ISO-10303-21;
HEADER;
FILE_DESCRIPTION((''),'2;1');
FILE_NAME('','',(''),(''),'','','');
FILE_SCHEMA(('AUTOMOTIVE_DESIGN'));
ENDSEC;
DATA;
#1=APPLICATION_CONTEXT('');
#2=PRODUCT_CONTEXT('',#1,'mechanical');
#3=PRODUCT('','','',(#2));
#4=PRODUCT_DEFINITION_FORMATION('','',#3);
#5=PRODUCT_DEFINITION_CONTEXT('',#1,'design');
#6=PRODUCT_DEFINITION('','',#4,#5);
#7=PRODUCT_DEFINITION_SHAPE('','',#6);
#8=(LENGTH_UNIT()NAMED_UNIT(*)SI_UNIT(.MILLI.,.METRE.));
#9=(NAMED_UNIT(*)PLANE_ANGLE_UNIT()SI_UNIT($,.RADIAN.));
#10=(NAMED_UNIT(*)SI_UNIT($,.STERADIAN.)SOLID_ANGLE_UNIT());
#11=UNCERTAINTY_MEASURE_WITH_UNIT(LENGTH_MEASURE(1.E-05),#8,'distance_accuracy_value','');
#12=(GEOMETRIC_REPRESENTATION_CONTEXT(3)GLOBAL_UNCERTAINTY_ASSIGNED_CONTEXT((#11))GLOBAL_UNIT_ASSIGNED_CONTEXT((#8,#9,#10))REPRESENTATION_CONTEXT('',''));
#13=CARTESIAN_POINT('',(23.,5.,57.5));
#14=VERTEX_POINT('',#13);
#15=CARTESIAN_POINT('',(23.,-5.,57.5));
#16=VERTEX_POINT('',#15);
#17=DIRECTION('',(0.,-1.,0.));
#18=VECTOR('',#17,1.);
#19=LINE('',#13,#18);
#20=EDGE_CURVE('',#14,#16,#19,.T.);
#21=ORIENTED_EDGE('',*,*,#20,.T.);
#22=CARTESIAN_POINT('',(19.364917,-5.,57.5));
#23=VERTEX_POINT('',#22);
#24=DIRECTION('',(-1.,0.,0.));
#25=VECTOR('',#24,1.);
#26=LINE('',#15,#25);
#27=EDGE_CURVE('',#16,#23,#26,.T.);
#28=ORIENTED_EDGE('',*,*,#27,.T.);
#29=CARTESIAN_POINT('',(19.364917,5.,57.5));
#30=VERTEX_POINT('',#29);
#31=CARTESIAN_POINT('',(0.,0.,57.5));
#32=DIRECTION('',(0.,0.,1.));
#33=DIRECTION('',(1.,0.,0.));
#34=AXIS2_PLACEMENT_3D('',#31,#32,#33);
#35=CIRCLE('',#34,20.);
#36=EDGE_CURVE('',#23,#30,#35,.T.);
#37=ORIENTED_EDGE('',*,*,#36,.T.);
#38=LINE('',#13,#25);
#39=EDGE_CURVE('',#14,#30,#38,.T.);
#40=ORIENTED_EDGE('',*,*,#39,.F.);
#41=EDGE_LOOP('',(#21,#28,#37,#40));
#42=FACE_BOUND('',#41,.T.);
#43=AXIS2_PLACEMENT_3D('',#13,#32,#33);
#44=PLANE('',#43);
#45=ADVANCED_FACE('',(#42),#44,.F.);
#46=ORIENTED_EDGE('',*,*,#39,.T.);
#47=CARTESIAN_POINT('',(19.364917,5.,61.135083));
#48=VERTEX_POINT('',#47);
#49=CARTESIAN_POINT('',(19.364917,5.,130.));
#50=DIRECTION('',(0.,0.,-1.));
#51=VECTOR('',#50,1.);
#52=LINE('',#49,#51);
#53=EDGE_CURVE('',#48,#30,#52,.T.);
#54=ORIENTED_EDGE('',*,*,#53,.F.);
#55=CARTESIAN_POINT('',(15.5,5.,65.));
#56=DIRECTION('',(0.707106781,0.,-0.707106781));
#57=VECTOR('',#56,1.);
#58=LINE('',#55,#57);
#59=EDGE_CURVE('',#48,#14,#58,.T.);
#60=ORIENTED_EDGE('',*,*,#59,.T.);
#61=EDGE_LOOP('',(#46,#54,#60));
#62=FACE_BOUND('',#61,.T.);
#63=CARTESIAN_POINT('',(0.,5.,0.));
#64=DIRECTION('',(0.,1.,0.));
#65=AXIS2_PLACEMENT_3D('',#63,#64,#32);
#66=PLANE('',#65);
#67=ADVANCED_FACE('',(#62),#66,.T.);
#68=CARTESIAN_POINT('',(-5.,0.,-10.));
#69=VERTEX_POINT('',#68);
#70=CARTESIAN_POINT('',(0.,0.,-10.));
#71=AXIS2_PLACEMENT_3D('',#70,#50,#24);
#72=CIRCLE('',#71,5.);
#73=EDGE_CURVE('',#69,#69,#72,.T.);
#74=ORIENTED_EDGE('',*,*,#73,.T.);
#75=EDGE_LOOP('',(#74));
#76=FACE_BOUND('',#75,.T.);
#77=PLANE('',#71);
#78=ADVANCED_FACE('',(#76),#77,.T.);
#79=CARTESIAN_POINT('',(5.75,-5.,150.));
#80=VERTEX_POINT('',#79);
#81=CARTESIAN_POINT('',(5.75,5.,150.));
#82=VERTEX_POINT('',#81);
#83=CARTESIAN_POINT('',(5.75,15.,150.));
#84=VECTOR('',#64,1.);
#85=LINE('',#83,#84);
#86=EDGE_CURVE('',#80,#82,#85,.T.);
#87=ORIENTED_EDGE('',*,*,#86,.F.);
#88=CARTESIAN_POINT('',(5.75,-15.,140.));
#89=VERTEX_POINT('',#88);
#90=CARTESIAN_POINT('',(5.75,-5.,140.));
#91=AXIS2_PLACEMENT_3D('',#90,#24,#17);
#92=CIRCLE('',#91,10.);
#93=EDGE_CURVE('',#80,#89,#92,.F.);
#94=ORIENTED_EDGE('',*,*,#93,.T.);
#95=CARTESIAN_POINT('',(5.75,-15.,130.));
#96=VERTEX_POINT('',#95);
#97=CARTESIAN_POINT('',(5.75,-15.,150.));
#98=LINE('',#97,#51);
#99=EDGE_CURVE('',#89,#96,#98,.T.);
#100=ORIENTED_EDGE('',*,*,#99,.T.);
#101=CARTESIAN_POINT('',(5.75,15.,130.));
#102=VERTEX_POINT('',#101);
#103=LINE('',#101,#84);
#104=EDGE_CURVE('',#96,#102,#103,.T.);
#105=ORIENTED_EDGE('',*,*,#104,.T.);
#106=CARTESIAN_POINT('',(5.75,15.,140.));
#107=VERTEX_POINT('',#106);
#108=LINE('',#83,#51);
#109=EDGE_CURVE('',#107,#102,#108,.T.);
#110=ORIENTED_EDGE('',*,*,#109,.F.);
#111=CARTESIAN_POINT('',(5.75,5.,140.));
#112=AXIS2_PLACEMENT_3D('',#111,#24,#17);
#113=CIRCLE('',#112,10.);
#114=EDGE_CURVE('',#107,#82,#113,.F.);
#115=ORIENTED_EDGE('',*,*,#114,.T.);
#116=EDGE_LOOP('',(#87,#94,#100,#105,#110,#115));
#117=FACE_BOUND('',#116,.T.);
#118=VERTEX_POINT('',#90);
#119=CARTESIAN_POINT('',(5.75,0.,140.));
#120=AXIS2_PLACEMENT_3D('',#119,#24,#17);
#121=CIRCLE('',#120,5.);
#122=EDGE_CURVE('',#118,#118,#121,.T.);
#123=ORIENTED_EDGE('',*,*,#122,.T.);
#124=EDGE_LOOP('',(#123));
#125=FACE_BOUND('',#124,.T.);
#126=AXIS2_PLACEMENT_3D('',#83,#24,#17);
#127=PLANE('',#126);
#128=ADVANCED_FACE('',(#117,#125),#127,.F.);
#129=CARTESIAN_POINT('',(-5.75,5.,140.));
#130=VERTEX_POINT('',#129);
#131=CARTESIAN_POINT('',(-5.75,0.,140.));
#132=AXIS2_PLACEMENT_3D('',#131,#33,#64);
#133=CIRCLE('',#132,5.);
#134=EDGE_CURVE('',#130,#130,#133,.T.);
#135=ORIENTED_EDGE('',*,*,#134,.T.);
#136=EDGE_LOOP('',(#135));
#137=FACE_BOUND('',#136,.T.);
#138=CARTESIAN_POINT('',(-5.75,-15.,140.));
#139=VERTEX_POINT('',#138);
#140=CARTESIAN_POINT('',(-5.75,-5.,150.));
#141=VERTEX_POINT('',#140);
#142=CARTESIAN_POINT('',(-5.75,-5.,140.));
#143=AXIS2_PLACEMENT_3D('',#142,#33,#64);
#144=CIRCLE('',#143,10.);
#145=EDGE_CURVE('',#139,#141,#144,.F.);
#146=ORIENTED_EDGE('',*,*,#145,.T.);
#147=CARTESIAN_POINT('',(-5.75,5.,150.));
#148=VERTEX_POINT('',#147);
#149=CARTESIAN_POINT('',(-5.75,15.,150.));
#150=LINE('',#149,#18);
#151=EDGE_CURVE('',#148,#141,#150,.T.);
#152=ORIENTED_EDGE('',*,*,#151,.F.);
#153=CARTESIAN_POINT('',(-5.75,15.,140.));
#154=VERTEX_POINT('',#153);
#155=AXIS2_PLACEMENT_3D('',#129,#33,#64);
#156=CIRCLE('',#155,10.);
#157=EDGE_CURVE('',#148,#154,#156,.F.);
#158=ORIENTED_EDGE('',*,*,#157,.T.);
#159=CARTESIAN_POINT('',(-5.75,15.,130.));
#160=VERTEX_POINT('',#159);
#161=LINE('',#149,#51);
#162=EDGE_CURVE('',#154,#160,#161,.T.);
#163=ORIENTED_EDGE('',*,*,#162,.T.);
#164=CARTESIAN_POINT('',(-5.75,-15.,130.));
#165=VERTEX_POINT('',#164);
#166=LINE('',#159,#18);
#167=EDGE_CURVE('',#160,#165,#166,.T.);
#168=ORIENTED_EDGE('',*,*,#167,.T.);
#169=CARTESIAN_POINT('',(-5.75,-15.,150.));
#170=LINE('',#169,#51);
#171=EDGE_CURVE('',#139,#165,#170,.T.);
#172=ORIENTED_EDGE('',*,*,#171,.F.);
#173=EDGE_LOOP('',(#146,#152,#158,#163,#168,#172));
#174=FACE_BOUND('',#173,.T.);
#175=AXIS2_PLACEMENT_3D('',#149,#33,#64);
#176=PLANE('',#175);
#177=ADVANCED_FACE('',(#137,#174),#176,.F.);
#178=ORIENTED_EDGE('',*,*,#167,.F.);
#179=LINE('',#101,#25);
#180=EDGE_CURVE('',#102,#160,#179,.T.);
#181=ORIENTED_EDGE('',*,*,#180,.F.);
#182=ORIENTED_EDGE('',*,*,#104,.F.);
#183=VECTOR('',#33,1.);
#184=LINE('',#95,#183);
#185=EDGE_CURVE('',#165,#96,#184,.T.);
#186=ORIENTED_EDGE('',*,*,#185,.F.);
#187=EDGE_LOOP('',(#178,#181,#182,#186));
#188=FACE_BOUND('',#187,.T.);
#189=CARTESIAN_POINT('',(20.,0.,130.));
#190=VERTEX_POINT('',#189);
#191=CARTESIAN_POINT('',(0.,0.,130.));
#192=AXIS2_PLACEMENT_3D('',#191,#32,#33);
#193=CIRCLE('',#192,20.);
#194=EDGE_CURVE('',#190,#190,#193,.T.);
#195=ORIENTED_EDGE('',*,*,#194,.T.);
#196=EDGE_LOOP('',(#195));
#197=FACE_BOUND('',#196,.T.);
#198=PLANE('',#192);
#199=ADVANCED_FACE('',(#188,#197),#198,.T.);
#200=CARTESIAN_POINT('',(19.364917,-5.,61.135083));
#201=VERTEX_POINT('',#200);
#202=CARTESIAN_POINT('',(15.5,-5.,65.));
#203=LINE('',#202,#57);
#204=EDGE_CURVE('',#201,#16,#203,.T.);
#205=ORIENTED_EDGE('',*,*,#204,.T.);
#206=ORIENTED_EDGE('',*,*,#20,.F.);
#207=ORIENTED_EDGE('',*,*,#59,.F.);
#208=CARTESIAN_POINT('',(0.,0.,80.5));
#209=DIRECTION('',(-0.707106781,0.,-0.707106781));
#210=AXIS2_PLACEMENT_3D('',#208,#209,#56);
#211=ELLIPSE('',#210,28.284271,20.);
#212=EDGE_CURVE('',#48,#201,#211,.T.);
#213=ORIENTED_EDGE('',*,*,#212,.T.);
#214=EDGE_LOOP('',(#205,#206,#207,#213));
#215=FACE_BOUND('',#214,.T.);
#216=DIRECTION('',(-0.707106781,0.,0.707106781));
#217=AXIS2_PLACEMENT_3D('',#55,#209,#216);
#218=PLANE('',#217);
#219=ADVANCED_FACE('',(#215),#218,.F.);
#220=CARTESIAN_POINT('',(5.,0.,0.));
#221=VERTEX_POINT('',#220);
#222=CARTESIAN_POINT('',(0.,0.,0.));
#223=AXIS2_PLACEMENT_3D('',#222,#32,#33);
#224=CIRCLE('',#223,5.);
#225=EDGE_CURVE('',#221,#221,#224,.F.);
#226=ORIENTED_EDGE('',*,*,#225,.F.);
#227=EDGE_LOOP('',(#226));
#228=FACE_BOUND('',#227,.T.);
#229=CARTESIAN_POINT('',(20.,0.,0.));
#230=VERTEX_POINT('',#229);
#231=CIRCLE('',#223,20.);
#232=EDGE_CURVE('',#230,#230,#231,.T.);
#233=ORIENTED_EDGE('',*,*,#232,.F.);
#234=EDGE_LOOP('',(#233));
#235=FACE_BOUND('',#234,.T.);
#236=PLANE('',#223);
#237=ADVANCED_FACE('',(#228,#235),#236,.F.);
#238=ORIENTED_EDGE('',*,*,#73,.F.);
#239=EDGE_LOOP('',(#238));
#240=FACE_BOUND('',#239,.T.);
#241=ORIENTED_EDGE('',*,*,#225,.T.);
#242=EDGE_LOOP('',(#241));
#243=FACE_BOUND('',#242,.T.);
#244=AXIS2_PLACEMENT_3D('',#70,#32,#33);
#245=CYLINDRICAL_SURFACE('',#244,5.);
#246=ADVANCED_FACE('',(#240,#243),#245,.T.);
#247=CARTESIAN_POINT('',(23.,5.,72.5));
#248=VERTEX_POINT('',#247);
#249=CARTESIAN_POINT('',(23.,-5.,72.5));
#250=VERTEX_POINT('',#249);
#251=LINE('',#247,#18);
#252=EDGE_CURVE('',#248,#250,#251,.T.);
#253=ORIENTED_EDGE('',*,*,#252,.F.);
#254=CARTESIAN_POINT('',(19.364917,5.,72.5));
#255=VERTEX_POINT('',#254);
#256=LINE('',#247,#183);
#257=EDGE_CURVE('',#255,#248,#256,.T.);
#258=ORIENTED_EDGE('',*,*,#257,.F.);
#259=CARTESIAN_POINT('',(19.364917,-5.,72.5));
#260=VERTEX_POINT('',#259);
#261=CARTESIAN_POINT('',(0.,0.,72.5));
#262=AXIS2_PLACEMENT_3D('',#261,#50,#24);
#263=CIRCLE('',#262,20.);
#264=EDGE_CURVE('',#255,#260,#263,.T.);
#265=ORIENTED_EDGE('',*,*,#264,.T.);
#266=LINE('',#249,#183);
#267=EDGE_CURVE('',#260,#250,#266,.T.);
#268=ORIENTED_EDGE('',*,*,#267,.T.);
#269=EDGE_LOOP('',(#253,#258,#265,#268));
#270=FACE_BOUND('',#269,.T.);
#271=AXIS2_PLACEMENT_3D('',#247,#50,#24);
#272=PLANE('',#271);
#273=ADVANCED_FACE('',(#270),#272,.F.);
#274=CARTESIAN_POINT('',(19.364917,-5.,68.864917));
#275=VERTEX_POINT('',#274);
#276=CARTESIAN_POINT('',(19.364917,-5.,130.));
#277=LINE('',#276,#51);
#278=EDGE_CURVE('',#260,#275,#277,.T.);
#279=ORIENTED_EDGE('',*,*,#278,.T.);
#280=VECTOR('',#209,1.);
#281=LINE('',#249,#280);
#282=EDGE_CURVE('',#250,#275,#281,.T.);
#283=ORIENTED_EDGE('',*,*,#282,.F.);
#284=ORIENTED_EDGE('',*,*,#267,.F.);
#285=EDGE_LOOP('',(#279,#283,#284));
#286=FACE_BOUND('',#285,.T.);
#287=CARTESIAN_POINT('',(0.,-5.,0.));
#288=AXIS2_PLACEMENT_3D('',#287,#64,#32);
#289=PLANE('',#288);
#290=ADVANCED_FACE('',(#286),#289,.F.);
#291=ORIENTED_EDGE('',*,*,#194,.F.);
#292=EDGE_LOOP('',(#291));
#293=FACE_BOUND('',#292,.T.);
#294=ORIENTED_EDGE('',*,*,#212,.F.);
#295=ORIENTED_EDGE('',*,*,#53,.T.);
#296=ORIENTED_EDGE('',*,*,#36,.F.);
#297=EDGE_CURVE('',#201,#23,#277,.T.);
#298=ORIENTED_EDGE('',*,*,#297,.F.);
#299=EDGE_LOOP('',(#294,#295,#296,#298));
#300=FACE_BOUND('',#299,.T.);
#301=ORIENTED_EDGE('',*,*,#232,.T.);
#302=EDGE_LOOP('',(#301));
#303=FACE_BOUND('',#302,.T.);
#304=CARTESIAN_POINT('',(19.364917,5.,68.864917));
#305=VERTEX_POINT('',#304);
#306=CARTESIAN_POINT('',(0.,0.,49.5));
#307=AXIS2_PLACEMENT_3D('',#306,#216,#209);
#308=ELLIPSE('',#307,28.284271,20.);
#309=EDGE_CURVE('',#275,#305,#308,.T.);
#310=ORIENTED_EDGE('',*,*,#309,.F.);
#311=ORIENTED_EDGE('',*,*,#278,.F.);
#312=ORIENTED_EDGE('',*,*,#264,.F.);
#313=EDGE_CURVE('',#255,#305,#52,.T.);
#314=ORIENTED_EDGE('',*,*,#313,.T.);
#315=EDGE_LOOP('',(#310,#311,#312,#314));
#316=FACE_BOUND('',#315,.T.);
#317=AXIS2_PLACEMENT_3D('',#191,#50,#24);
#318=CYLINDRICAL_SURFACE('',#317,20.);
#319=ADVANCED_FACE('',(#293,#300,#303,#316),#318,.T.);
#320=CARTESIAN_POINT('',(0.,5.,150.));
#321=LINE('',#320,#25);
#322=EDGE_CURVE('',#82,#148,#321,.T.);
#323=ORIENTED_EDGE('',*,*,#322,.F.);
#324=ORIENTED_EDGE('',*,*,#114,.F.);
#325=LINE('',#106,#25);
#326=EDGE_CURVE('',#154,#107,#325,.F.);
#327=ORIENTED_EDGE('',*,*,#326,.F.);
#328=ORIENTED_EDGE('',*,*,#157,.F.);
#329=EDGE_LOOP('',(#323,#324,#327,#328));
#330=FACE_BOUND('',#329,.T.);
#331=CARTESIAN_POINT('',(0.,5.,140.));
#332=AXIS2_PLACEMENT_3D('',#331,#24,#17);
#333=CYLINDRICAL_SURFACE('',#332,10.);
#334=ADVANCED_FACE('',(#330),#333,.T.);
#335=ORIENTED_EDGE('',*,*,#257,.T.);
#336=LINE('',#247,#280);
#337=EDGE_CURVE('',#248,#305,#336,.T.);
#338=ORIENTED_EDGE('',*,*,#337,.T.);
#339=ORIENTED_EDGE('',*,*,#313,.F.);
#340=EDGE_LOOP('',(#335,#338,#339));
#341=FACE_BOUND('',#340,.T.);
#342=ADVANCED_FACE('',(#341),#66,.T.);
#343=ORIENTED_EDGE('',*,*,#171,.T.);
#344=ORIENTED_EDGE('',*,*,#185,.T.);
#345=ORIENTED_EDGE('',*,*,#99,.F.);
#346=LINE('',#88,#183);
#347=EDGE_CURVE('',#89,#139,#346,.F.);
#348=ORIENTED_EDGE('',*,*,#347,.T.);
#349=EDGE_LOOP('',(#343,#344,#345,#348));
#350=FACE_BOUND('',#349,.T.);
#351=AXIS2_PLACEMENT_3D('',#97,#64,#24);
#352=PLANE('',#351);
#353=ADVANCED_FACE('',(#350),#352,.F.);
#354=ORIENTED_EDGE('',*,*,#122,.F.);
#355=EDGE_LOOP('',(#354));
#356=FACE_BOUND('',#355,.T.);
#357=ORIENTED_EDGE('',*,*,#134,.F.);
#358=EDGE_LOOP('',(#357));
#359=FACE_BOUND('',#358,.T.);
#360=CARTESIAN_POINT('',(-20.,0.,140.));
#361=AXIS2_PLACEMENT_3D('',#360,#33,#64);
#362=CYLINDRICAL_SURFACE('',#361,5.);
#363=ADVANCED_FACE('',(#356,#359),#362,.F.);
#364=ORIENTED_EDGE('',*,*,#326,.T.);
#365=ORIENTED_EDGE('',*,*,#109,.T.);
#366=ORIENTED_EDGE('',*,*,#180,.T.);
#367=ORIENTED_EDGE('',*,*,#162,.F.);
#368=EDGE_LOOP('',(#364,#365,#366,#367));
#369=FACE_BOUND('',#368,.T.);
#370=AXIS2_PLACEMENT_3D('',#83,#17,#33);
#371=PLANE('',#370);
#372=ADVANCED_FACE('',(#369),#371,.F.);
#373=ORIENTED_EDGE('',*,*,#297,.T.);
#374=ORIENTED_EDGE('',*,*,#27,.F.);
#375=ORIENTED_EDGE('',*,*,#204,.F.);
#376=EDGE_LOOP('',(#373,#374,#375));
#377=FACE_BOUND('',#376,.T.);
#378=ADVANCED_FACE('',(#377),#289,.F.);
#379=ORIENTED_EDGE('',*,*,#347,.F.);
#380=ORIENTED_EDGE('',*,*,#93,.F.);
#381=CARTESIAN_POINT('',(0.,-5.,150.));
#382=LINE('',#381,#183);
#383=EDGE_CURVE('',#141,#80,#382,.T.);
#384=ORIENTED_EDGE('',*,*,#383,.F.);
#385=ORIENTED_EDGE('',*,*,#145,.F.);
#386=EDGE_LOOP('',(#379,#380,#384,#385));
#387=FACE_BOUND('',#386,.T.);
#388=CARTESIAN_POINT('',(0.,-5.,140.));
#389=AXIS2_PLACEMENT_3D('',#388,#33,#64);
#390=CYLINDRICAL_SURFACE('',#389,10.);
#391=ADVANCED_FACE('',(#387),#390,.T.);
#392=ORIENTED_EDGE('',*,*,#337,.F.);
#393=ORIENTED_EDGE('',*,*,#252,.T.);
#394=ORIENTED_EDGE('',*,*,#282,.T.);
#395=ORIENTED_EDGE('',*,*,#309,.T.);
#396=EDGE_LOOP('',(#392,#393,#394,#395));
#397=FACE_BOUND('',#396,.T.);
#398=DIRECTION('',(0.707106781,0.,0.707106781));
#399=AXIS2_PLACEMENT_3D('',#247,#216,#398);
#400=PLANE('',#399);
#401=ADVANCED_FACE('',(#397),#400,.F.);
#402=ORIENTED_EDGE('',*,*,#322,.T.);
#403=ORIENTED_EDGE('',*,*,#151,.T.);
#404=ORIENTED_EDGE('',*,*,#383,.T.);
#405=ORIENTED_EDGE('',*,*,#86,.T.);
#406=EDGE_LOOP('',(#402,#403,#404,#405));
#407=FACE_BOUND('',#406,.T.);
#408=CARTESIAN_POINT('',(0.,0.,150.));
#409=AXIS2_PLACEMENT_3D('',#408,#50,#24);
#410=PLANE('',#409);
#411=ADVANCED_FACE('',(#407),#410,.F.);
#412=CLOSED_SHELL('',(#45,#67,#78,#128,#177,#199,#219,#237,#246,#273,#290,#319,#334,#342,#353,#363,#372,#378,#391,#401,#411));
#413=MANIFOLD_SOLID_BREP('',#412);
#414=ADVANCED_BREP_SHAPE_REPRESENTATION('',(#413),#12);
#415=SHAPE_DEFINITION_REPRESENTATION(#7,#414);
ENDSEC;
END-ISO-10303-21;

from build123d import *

# Parameters (mm, degrees)
SKETCH1_R               = 20
BOSS_EXTRUDE1_DEPTH     = 130
BOSS_EXTRUDE2_DEPTH     = 5
SKETCH3_R               = 5
BOSS_EXTRUDE3_DEPTH     = 10
SKETCH4_W               = 11.5
SKETCH4_H               = 30
BOSS_EXTRUDE4_DEPTH     = 20
FILLET1_R               = 10
CUT_EXTRUDE1_DEPTH      = 154.502646557
CUT_EXTRUDE1_DEPTH_BACK = 154.502646557
SKETCH5_R               = 5


with BuildPart() as part:
    # Sketch1 → Boss-Extrude1 (new body)
    with BuildSketch(Plane.XY):
        Circle(SKETCH1_R)
    extrude(amount=BOSS_EXTRUDE1_DEPTH)

    # Sketch2 → Boss-Extrude2 (add, symmetric)
    with BuildSketch(Plane(origin=(0, 0, 0), x_dir=(1, 0, 0), z_dir=(0, 1, 0))):
        Polygon((23, -72.5), (15.5, -65), (23, -57.5), (8, -57.5), (8, -72.5), align=None)
    extrude(amount=BOSS_EXTRUDE2_DEPTH, both=True)

    # Sketch3 → Boss-Extrude3 (add)
    with BuildSketch(Plane(origin=(0, 0, 0), x_dir=(-1, 0, 0), z_dir=(0, 0, -1))):
        with Locations(Location((0, 0, 0), (0, 0, 180))):
            Circle(SKETCH3_R)
    extrude(amount=BOSS_EXTRUDE3_DEPTH)

    # Sketch4 → Boss-Extrude4 (add)
    with BuildSketch(Plane.XY.offset(130)):
        Rectangle(SKETCH4_W, SKETCH4_H)
    extrude(amount=BOSS_EXTRUDE4_DEPTH)

    # Fillet1
    fillet1_edges = [part.edges().sort_by_distance(p)[0] for p in [
        (0, -15, 150),
        (0, 15, 150),
    ]]
    fillet(fillet1_edges, radius=FILLET1_R)

    # Sketch5 → Cut-Extrude1 (cut, two sides: drawn at the far end of the back side and taken through both)
    with BuildSketch(Plane(origin=(5.75, 0, 0), x_dir=(0, 0, -1), z_dir=(1, 0, 0)).offset(-CUT_EXTRUDE1_DEPTH_BACK)):
        with Locations(Location((-140, 0, 0), (0, 0, 90))):
            Circle(SKETCH5_R)
    extrude(amount=CUT_EXTRUDE1_DEPTH + CUT_EXTRUDE1_DEPTH_BACK, mode=Mode.SUBTRACT)


solid = part.part
